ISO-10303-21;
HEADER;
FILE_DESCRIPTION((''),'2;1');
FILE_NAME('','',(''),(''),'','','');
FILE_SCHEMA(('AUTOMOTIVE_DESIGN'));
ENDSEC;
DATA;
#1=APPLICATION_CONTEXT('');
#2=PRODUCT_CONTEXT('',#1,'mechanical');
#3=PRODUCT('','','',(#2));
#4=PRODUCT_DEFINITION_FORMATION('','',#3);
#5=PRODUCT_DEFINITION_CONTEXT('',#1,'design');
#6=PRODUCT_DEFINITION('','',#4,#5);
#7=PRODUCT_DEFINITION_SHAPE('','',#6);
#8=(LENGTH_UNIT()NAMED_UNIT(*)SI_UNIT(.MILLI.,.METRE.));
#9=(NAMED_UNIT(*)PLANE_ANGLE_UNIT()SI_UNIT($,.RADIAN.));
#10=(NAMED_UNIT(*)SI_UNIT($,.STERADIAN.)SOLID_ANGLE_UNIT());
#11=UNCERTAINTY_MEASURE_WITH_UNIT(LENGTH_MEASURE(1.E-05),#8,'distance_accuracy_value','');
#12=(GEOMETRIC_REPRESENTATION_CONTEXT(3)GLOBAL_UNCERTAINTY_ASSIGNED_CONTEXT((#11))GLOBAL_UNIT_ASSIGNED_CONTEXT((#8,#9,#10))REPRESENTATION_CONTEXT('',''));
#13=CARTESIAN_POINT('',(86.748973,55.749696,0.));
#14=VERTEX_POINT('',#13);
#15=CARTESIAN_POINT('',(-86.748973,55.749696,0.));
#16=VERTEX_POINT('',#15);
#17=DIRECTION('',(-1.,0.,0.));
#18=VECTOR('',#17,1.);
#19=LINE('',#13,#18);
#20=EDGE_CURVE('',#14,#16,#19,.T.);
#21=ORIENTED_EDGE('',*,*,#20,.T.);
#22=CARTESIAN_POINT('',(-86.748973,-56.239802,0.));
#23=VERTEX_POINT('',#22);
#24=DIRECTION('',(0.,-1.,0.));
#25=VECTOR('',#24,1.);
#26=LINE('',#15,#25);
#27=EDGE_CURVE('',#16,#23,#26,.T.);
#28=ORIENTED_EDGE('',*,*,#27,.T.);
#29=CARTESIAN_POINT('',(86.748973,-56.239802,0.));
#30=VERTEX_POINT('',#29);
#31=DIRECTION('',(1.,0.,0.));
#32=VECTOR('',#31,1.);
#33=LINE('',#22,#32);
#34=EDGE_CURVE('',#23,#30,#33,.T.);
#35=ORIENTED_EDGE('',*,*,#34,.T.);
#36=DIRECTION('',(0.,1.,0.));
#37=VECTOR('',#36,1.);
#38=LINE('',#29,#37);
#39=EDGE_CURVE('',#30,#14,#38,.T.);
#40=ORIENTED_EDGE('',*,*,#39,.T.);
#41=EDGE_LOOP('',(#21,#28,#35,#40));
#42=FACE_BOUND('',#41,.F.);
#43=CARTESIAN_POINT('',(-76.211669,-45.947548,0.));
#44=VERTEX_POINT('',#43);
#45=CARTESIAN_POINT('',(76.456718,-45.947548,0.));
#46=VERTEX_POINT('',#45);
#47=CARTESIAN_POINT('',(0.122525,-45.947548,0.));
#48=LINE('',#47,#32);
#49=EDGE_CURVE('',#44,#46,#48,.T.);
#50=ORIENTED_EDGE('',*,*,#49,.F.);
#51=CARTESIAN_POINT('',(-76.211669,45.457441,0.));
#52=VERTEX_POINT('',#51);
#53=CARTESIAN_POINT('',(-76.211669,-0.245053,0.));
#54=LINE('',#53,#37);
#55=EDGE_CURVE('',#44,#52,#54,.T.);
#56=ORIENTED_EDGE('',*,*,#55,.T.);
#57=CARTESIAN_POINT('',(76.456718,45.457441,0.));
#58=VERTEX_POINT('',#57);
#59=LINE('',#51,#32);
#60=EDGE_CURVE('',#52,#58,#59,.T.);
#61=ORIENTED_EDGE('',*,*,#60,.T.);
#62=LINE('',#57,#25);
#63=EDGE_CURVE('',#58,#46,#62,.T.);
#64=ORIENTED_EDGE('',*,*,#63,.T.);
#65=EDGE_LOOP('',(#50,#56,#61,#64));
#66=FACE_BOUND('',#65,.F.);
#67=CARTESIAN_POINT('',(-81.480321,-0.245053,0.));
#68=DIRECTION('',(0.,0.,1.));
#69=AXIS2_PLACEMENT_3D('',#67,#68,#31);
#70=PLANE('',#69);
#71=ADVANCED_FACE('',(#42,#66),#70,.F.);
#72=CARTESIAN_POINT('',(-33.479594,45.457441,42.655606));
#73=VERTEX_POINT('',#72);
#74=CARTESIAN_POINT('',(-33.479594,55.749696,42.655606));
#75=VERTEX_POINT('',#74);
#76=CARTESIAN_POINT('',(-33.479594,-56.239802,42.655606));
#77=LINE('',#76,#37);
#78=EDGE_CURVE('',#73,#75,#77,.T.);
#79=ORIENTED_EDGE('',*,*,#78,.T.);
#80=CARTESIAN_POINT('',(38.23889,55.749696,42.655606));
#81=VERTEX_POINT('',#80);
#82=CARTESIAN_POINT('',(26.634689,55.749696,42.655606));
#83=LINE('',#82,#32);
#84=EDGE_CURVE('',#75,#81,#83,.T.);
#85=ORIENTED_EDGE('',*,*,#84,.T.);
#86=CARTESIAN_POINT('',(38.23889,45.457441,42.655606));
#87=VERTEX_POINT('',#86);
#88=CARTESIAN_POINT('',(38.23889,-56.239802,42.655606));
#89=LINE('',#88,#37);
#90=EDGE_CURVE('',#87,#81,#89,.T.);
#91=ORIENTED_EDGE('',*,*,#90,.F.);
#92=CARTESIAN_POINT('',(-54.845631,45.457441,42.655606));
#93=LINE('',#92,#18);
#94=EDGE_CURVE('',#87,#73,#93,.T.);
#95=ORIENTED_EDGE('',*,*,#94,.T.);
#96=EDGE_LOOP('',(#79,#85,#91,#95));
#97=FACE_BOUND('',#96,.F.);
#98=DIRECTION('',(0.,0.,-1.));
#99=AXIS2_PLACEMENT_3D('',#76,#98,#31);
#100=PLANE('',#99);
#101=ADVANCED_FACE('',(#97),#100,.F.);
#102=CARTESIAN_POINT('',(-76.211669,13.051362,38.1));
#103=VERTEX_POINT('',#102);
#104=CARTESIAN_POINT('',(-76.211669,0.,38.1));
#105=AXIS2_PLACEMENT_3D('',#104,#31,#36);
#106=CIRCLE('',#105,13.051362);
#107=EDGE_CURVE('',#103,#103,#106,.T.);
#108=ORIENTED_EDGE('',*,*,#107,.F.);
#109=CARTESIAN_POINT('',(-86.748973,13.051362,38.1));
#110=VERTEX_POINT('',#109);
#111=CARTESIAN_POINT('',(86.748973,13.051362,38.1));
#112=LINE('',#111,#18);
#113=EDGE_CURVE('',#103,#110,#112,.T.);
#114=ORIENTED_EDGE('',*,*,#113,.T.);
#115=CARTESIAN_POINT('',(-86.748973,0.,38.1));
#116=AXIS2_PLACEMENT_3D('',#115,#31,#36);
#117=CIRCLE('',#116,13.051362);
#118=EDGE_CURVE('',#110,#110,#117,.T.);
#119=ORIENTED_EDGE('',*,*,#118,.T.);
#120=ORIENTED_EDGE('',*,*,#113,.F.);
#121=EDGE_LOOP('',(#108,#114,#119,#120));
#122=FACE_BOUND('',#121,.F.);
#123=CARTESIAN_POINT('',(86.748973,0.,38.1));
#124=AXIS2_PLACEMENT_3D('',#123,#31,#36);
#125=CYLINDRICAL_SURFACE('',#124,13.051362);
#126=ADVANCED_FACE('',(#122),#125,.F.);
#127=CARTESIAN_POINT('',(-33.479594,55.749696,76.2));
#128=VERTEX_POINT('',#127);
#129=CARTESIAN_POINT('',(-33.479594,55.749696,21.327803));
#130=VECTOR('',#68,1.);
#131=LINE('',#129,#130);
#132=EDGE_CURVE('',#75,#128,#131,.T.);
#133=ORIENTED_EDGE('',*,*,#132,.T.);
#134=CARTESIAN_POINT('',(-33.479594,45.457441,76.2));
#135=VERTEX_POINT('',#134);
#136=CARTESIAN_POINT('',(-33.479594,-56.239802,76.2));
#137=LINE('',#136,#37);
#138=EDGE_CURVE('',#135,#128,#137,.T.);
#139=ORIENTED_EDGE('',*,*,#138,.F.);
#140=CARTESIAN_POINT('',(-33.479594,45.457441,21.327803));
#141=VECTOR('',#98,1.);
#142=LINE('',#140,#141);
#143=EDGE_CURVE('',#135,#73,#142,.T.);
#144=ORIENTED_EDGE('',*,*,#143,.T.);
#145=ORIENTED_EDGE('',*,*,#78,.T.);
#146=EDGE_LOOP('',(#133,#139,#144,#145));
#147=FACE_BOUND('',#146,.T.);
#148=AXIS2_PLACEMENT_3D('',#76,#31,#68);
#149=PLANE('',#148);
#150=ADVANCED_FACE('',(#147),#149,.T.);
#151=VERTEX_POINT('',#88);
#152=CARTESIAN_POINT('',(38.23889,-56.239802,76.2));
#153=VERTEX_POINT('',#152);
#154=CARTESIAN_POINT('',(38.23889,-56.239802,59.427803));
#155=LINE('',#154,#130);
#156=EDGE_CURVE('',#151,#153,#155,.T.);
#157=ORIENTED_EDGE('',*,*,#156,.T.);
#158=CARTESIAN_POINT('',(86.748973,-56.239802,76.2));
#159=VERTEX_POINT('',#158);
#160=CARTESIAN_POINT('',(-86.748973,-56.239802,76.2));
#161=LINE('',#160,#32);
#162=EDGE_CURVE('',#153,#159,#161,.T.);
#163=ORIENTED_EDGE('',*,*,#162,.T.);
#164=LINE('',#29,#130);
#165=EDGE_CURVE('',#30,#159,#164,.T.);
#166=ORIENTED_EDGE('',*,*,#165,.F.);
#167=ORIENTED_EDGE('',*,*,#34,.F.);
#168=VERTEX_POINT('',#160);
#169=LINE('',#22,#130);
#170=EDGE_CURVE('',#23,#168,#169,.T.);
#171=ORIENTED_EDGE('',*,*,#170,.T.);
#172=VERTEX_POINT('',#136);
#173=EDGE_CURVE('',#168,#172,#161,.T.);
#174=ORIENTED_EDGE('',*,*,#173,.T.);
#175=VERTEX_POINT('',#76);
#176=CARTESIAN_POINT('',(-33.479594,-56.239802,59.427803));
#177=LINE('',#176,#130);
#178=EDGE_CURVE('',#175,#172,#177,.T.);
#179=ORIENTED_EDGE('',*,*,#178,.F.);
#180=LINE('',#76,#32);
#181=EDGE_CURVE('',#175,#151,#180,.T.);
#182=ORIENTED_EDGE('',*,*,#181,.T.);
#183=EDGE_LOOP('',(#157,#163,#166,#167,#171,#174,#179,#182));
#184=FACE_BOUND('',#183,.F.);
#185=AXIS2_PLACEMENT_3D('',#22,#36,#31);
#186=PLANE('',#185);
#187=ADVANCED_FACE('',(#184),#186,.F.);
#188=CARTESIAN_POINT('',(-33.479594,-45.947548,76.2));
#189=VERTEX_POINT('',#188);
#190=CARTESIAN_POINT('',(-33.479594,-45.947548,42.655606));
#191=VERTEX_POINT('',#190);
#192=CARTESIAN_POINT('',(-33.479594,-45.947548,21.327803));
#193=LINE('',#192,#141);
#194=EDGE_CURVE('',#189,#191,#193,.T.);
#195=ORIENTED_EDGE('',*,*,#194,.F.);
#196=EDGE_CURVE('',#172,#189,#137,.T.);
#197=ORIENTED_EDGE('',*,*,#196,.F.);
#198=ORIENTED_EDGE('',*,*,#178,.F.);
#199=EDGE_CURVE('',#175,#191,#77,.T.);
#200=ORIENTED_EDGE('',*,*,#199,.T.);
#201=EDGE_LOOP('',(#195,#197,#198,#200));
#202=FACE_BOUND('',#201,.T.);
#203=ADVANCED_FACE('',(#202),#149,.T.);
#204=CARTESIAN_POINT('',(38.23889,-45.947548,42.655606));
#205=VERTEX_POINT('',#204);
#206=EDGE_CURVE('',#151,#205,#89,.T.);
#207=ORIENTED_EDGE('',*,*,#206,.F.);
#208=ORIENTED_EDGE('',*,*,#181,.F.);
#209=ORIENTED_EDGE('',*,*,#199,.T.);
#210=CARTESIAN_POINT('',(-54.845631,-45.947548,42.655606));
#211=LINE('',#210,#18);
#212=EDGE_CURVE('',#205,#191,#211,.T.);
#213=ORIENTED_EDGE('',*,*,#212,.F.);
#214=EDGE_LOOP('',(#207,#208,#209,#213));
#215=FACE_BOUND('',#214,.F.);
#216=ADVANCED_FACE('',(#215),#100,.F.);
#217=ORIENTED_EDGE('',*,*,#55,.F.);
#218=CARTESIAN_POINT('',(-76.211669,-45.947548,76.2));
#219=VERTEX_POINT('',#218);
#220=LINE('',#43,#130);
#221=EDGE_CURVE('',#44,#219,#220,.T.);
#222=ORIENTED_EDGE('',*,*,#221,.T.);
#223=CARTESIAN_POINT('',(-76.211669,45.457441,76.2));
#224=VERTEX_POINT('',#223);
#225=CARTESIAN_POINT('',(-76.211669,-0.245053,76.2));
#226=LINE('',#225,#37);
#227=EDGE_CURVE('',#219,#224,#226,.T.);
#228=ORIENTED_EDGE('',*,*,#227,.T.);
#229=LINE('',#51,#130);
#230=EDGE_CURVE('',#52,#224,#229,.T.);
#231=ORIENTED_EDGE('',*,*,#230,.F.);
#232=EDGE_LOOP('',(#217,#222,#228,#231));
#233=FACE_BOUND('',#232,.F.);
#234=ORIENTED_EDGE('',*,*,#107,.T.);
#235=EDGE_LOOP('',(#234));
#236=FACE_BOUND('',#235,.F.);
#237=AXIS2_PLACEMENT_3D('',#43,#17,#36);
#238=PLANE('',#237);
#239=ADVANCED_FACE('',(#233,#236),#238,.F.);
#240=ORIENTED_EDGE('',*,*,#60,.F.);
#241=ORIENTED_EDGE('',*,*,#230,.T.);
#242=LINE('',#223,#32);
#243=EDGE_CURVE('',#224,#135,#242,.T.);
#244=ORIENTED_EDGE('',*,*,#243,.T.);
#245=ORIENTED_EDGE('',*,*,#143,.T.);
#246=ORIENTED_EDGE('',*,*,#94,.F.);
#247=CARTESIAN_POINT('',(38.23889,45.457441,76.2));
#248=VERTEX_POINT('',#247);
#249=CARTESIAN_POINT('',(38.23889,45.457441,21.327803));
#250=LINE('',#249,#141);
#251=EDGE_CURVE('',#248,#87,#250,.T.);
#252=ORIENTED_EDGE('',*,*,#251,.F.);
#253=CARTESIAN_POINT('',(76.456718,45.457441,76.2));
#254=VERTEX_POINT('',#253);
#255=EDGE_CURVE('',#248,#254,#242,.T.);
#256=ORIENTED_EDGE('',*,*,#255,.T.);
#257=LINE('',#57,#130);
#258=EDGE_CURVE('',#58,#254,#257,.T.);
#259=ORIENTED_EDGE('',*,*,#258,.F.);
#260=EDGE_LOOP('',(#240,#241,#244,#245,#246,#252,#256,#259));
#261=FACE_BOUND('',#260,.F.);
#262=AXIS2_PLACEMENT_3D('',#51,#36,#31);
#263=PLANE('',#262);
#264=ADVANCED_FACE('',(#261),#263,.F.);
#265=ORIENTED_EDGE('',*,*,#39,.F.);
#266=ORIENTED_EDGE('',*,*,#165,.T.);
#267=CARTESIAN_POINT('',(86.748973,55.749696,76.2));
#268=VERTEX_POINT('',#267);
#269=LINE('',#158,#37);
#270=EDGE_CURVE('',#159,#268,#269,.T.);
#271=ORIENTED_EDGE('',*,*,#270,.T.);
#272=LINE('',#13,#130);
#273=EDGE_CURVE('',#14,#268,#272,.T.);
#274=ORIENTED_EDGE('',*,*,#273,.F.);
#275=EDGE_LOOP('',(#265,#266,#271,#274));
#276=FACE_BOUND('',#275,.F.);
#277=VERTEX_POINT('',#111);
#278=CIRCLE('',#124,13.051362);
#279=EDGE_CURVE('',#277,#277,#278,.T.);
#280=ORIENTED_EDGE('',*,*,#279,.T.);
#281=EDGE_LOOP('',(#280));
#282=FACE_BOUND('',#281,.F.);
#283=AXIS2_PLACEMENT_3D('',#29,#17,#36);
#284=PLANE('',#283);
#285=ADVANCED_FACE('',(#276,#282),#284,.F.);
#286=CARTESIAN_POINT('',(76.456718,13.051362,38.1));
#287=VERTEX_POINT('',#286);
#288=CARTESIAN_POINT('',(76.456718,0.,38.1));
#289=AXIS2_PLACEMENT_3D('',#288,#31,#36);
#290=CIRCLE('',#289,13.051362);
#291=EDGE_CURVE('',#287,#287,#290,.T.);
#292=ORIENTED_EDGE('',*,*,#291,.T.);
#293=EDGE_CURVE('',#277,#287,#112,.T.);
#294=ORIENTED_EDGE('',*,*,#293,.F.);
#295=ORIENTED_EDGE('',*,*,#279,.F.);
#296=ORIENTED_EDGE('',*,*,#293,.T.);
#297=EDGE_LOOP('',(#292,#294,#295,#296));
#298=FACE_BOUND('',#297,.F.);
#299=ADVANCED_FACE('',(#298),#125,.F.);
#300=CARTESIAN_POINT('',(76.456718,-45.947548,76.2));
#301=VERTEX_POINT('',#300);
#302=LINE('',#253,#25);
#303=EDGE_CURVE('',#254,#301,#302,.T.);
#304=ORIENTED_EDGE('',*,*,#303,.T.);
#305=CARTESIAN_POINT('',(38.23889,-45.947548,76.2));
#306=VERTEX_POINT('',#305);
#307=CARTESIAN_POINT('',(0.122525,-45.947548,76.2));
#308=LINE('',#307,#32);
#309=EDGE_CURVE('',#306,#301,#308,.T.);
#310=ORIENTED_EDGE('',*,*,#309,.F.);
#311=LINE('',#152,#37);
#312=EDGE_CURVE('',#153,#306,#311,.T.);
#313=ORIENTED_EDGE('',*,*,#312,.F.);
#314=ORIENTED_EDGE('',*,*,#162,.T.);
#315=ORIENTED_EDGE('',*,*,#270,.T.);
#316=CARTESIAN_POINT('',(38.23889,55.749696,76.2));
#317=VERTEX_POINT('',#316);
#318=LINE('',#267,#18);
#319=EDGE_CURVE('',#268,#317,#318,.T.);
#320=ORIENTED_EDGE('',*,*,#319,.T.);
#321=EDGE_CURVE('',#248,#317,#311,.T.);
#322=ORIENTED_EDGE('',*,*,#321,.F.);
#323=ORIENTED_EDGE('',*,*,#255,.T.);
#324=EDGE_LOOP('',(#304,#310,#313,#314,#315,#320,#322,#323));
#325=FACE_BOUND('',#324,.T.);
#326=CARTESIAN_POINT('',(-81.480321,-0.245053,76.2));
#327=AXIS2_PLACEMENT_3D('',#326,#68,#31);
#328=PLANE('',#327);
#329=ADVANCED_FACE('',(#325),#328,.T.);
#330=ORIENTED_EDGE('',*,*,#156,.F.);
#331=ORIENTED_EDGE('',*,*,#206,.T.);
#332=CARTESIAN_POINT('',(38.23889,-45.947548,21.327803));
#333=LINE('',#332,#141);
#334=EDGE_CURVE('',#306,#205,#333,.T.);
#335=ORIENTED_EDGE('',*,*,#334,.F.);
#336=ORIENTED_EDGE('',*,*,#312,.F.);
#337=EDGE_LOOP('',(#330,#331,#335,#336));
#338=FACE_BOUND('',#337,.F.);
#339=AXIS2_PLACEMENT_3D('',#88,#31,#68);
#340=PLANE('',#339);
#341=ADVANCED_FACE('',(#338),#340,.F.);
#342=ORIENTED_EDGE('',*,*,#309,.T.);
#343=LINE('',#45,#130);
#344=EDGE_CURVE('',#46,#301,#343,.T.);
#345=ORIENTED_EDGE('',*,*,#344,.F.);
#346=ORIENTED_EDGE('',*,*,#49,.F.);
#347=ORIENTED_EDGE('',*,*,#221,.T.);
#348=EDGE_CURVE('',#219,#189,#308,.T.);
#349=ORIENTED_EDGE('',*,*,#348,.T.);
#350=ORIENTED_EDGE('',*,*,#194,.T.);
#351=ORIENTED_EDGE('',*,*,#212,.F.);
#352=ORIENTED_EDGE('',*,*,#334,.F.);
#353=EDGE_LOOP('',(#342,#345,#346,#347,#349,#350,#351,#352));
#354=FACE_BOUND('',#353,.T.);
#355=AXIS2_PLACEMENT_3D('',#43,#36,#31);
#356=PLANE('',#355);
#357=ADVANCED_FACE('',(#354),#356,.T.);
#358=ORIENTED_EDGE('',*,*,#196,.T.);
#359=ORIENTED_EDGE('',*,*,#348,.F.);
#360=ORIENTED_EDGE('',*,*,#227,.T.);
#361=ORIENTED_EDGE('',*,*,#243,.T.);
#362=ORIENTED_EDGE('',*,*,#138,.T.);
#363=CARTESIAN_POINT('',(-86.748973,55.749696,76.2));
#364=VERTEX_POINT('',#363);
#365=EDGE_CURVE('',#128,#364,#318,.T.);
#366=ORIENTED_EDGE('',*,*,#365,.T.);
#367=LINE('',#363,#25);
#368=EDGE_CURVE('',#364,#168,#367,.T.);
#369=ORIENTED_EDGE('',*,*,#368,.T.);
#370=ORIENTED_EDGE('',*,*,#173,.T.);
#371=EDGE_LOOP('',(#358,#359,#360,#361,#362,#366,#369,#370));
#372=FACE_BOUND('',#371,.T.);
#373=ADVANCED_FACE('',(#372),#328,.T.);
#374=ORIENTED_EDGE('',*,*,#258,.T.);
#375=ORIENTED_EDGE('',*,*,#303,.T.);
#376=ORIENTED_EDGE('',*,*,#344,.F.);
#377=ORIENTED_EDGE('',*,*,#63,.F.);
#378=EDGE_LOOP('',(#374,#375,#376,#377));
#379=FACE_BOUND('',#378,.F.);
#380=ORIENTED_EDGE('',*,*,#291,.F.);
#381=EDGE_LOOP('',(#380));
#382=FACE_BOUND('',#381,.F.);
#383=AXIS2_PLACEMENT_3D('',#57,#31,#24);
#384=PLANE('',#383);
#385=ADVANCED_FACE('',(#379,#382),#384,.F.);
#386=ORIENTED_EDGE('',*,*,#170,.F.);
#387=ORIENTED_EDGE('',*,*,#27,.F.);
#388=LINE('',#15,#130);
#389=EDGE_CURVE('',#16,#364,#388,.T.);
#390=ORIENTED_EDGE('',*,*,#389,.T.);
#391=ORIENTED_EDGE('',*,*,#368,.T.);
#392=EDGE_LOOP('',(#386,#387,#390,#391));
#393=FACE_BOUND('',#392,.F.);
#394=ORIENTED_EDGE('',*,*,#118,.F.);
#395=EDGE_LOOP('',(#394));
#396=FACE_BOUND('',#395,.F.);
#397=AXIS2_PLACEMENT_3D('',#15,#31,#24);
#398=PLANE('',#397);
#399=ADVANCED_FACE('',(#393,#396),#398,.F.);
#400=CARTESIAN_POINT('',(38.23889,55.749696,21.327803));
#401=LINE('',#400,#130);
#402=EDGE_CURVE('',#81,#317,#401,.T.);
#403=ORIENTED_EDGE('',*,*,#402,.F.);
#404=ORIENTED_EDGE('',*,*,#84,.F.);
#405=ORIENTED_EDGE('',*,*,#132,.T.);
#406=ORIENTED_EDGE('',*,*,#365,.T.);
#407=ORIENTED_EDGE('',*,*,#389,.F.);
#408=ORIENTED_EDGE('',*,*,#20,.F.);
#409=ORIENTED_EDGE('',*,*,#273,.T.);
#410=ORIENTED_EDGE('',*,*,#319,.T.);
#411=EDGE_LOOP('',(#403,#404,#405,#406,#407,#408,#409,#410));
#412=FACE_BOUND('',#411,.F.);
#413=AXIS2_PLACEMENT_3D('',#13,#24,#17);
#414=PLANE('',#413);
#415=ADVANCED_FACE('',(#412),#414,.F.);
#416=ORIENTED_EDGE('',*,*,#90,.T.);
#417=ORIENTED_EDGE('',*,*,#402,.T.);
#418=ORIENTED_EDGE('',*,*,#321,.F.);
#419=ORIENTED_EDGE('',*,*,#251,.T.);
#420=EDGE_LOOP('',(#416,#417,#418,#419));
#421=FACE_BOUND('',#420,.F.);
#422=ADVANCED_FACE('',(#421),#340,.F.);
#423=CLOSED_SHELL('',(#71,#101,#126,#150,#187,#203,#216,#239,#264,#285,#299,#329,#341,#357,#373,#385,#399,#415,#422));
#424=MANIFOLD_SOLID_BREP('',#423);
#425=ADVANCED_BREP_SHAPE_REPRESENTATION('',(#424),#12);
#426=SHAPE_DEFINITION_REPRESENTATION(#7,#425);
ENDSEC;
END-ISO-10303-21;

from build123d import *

# Parameters (mm, degrees)
F0_W     = 10.5373039842
F0_H     = 91.4049893618
F0_W_2   = 152.6683866978
F0_H_2   = 10.2922543883
F0_W_3   = 10.2922543883
F1_DEPTH = 76.2
F2_W     = 38.2388904691
F2_H     = 33.5443941772
F2_W_2   = 33.4795936942
F3_DEPTH = 111.9904981384
F4_R     = 13.0513622492
F5_DEPTH = 173.4989450703


with BuildPart() as f1:
    # F0 (on Top) → F1 (new body)
    with BuildSketch(Plane.XY):
        with Locations((-81.4803205431, -0.2450533211)):
            Rectangle(F0_W, F0_H)
        with Locations((0.1225247979, 50.6035685539)):
            Rectangle(F0_W_2, F0_H_2)
        with Locations((-81.4803205431, 50.6035685539)):
            Rectangle(F0_W, F0_H_2)
        with Locations((81.602845341, 50.6035685539)):
            Rectangle(F0_W_3, F0_H_2)
        with Locations((81.602845341, -0.2450533211)):
            Rectangle(F0_W_3, F0_H)
        with Locations((81.602845341, -51.0936751962)):
            Rectangle(F0_W_3, F0_H_2)
        with Locations((0.1225247979, -51.0936751962)):
            Rectangle(F0_W_2, F0_H_2)
        with Locations((-81.4803205431, -51.0936751962)):
            Rectangle(F0_W, F0_H_2)
    extrude(amount=F1_DEPTH)

    # F2 (on face) → F3 (cut, through all)
    with BuildSketch(Plane.XZ.offset(56.2398023903)):
        with Locations((19.1194452345, 59.4278029114)):
            Rectangle(F2_W, F2_H)
        with Locations((-16.7397968471, 59.4278029114)):
            Rectangle(F2_W_2, F2_H)
    extrude(amount=-F3_DEPTH, mode=Mode.SUBTRACT)

    # F4 (on face) → F5 (cut, through all)
    with BuildSketch(Plane.YZ.offset(86.7489725351)):
        with Locations((0, 38.1)):
            Circle(F4_R)
    extrude(amount=-F5_DEPTH, mode=Mode.SUBTRACT)


solid = f1.part
